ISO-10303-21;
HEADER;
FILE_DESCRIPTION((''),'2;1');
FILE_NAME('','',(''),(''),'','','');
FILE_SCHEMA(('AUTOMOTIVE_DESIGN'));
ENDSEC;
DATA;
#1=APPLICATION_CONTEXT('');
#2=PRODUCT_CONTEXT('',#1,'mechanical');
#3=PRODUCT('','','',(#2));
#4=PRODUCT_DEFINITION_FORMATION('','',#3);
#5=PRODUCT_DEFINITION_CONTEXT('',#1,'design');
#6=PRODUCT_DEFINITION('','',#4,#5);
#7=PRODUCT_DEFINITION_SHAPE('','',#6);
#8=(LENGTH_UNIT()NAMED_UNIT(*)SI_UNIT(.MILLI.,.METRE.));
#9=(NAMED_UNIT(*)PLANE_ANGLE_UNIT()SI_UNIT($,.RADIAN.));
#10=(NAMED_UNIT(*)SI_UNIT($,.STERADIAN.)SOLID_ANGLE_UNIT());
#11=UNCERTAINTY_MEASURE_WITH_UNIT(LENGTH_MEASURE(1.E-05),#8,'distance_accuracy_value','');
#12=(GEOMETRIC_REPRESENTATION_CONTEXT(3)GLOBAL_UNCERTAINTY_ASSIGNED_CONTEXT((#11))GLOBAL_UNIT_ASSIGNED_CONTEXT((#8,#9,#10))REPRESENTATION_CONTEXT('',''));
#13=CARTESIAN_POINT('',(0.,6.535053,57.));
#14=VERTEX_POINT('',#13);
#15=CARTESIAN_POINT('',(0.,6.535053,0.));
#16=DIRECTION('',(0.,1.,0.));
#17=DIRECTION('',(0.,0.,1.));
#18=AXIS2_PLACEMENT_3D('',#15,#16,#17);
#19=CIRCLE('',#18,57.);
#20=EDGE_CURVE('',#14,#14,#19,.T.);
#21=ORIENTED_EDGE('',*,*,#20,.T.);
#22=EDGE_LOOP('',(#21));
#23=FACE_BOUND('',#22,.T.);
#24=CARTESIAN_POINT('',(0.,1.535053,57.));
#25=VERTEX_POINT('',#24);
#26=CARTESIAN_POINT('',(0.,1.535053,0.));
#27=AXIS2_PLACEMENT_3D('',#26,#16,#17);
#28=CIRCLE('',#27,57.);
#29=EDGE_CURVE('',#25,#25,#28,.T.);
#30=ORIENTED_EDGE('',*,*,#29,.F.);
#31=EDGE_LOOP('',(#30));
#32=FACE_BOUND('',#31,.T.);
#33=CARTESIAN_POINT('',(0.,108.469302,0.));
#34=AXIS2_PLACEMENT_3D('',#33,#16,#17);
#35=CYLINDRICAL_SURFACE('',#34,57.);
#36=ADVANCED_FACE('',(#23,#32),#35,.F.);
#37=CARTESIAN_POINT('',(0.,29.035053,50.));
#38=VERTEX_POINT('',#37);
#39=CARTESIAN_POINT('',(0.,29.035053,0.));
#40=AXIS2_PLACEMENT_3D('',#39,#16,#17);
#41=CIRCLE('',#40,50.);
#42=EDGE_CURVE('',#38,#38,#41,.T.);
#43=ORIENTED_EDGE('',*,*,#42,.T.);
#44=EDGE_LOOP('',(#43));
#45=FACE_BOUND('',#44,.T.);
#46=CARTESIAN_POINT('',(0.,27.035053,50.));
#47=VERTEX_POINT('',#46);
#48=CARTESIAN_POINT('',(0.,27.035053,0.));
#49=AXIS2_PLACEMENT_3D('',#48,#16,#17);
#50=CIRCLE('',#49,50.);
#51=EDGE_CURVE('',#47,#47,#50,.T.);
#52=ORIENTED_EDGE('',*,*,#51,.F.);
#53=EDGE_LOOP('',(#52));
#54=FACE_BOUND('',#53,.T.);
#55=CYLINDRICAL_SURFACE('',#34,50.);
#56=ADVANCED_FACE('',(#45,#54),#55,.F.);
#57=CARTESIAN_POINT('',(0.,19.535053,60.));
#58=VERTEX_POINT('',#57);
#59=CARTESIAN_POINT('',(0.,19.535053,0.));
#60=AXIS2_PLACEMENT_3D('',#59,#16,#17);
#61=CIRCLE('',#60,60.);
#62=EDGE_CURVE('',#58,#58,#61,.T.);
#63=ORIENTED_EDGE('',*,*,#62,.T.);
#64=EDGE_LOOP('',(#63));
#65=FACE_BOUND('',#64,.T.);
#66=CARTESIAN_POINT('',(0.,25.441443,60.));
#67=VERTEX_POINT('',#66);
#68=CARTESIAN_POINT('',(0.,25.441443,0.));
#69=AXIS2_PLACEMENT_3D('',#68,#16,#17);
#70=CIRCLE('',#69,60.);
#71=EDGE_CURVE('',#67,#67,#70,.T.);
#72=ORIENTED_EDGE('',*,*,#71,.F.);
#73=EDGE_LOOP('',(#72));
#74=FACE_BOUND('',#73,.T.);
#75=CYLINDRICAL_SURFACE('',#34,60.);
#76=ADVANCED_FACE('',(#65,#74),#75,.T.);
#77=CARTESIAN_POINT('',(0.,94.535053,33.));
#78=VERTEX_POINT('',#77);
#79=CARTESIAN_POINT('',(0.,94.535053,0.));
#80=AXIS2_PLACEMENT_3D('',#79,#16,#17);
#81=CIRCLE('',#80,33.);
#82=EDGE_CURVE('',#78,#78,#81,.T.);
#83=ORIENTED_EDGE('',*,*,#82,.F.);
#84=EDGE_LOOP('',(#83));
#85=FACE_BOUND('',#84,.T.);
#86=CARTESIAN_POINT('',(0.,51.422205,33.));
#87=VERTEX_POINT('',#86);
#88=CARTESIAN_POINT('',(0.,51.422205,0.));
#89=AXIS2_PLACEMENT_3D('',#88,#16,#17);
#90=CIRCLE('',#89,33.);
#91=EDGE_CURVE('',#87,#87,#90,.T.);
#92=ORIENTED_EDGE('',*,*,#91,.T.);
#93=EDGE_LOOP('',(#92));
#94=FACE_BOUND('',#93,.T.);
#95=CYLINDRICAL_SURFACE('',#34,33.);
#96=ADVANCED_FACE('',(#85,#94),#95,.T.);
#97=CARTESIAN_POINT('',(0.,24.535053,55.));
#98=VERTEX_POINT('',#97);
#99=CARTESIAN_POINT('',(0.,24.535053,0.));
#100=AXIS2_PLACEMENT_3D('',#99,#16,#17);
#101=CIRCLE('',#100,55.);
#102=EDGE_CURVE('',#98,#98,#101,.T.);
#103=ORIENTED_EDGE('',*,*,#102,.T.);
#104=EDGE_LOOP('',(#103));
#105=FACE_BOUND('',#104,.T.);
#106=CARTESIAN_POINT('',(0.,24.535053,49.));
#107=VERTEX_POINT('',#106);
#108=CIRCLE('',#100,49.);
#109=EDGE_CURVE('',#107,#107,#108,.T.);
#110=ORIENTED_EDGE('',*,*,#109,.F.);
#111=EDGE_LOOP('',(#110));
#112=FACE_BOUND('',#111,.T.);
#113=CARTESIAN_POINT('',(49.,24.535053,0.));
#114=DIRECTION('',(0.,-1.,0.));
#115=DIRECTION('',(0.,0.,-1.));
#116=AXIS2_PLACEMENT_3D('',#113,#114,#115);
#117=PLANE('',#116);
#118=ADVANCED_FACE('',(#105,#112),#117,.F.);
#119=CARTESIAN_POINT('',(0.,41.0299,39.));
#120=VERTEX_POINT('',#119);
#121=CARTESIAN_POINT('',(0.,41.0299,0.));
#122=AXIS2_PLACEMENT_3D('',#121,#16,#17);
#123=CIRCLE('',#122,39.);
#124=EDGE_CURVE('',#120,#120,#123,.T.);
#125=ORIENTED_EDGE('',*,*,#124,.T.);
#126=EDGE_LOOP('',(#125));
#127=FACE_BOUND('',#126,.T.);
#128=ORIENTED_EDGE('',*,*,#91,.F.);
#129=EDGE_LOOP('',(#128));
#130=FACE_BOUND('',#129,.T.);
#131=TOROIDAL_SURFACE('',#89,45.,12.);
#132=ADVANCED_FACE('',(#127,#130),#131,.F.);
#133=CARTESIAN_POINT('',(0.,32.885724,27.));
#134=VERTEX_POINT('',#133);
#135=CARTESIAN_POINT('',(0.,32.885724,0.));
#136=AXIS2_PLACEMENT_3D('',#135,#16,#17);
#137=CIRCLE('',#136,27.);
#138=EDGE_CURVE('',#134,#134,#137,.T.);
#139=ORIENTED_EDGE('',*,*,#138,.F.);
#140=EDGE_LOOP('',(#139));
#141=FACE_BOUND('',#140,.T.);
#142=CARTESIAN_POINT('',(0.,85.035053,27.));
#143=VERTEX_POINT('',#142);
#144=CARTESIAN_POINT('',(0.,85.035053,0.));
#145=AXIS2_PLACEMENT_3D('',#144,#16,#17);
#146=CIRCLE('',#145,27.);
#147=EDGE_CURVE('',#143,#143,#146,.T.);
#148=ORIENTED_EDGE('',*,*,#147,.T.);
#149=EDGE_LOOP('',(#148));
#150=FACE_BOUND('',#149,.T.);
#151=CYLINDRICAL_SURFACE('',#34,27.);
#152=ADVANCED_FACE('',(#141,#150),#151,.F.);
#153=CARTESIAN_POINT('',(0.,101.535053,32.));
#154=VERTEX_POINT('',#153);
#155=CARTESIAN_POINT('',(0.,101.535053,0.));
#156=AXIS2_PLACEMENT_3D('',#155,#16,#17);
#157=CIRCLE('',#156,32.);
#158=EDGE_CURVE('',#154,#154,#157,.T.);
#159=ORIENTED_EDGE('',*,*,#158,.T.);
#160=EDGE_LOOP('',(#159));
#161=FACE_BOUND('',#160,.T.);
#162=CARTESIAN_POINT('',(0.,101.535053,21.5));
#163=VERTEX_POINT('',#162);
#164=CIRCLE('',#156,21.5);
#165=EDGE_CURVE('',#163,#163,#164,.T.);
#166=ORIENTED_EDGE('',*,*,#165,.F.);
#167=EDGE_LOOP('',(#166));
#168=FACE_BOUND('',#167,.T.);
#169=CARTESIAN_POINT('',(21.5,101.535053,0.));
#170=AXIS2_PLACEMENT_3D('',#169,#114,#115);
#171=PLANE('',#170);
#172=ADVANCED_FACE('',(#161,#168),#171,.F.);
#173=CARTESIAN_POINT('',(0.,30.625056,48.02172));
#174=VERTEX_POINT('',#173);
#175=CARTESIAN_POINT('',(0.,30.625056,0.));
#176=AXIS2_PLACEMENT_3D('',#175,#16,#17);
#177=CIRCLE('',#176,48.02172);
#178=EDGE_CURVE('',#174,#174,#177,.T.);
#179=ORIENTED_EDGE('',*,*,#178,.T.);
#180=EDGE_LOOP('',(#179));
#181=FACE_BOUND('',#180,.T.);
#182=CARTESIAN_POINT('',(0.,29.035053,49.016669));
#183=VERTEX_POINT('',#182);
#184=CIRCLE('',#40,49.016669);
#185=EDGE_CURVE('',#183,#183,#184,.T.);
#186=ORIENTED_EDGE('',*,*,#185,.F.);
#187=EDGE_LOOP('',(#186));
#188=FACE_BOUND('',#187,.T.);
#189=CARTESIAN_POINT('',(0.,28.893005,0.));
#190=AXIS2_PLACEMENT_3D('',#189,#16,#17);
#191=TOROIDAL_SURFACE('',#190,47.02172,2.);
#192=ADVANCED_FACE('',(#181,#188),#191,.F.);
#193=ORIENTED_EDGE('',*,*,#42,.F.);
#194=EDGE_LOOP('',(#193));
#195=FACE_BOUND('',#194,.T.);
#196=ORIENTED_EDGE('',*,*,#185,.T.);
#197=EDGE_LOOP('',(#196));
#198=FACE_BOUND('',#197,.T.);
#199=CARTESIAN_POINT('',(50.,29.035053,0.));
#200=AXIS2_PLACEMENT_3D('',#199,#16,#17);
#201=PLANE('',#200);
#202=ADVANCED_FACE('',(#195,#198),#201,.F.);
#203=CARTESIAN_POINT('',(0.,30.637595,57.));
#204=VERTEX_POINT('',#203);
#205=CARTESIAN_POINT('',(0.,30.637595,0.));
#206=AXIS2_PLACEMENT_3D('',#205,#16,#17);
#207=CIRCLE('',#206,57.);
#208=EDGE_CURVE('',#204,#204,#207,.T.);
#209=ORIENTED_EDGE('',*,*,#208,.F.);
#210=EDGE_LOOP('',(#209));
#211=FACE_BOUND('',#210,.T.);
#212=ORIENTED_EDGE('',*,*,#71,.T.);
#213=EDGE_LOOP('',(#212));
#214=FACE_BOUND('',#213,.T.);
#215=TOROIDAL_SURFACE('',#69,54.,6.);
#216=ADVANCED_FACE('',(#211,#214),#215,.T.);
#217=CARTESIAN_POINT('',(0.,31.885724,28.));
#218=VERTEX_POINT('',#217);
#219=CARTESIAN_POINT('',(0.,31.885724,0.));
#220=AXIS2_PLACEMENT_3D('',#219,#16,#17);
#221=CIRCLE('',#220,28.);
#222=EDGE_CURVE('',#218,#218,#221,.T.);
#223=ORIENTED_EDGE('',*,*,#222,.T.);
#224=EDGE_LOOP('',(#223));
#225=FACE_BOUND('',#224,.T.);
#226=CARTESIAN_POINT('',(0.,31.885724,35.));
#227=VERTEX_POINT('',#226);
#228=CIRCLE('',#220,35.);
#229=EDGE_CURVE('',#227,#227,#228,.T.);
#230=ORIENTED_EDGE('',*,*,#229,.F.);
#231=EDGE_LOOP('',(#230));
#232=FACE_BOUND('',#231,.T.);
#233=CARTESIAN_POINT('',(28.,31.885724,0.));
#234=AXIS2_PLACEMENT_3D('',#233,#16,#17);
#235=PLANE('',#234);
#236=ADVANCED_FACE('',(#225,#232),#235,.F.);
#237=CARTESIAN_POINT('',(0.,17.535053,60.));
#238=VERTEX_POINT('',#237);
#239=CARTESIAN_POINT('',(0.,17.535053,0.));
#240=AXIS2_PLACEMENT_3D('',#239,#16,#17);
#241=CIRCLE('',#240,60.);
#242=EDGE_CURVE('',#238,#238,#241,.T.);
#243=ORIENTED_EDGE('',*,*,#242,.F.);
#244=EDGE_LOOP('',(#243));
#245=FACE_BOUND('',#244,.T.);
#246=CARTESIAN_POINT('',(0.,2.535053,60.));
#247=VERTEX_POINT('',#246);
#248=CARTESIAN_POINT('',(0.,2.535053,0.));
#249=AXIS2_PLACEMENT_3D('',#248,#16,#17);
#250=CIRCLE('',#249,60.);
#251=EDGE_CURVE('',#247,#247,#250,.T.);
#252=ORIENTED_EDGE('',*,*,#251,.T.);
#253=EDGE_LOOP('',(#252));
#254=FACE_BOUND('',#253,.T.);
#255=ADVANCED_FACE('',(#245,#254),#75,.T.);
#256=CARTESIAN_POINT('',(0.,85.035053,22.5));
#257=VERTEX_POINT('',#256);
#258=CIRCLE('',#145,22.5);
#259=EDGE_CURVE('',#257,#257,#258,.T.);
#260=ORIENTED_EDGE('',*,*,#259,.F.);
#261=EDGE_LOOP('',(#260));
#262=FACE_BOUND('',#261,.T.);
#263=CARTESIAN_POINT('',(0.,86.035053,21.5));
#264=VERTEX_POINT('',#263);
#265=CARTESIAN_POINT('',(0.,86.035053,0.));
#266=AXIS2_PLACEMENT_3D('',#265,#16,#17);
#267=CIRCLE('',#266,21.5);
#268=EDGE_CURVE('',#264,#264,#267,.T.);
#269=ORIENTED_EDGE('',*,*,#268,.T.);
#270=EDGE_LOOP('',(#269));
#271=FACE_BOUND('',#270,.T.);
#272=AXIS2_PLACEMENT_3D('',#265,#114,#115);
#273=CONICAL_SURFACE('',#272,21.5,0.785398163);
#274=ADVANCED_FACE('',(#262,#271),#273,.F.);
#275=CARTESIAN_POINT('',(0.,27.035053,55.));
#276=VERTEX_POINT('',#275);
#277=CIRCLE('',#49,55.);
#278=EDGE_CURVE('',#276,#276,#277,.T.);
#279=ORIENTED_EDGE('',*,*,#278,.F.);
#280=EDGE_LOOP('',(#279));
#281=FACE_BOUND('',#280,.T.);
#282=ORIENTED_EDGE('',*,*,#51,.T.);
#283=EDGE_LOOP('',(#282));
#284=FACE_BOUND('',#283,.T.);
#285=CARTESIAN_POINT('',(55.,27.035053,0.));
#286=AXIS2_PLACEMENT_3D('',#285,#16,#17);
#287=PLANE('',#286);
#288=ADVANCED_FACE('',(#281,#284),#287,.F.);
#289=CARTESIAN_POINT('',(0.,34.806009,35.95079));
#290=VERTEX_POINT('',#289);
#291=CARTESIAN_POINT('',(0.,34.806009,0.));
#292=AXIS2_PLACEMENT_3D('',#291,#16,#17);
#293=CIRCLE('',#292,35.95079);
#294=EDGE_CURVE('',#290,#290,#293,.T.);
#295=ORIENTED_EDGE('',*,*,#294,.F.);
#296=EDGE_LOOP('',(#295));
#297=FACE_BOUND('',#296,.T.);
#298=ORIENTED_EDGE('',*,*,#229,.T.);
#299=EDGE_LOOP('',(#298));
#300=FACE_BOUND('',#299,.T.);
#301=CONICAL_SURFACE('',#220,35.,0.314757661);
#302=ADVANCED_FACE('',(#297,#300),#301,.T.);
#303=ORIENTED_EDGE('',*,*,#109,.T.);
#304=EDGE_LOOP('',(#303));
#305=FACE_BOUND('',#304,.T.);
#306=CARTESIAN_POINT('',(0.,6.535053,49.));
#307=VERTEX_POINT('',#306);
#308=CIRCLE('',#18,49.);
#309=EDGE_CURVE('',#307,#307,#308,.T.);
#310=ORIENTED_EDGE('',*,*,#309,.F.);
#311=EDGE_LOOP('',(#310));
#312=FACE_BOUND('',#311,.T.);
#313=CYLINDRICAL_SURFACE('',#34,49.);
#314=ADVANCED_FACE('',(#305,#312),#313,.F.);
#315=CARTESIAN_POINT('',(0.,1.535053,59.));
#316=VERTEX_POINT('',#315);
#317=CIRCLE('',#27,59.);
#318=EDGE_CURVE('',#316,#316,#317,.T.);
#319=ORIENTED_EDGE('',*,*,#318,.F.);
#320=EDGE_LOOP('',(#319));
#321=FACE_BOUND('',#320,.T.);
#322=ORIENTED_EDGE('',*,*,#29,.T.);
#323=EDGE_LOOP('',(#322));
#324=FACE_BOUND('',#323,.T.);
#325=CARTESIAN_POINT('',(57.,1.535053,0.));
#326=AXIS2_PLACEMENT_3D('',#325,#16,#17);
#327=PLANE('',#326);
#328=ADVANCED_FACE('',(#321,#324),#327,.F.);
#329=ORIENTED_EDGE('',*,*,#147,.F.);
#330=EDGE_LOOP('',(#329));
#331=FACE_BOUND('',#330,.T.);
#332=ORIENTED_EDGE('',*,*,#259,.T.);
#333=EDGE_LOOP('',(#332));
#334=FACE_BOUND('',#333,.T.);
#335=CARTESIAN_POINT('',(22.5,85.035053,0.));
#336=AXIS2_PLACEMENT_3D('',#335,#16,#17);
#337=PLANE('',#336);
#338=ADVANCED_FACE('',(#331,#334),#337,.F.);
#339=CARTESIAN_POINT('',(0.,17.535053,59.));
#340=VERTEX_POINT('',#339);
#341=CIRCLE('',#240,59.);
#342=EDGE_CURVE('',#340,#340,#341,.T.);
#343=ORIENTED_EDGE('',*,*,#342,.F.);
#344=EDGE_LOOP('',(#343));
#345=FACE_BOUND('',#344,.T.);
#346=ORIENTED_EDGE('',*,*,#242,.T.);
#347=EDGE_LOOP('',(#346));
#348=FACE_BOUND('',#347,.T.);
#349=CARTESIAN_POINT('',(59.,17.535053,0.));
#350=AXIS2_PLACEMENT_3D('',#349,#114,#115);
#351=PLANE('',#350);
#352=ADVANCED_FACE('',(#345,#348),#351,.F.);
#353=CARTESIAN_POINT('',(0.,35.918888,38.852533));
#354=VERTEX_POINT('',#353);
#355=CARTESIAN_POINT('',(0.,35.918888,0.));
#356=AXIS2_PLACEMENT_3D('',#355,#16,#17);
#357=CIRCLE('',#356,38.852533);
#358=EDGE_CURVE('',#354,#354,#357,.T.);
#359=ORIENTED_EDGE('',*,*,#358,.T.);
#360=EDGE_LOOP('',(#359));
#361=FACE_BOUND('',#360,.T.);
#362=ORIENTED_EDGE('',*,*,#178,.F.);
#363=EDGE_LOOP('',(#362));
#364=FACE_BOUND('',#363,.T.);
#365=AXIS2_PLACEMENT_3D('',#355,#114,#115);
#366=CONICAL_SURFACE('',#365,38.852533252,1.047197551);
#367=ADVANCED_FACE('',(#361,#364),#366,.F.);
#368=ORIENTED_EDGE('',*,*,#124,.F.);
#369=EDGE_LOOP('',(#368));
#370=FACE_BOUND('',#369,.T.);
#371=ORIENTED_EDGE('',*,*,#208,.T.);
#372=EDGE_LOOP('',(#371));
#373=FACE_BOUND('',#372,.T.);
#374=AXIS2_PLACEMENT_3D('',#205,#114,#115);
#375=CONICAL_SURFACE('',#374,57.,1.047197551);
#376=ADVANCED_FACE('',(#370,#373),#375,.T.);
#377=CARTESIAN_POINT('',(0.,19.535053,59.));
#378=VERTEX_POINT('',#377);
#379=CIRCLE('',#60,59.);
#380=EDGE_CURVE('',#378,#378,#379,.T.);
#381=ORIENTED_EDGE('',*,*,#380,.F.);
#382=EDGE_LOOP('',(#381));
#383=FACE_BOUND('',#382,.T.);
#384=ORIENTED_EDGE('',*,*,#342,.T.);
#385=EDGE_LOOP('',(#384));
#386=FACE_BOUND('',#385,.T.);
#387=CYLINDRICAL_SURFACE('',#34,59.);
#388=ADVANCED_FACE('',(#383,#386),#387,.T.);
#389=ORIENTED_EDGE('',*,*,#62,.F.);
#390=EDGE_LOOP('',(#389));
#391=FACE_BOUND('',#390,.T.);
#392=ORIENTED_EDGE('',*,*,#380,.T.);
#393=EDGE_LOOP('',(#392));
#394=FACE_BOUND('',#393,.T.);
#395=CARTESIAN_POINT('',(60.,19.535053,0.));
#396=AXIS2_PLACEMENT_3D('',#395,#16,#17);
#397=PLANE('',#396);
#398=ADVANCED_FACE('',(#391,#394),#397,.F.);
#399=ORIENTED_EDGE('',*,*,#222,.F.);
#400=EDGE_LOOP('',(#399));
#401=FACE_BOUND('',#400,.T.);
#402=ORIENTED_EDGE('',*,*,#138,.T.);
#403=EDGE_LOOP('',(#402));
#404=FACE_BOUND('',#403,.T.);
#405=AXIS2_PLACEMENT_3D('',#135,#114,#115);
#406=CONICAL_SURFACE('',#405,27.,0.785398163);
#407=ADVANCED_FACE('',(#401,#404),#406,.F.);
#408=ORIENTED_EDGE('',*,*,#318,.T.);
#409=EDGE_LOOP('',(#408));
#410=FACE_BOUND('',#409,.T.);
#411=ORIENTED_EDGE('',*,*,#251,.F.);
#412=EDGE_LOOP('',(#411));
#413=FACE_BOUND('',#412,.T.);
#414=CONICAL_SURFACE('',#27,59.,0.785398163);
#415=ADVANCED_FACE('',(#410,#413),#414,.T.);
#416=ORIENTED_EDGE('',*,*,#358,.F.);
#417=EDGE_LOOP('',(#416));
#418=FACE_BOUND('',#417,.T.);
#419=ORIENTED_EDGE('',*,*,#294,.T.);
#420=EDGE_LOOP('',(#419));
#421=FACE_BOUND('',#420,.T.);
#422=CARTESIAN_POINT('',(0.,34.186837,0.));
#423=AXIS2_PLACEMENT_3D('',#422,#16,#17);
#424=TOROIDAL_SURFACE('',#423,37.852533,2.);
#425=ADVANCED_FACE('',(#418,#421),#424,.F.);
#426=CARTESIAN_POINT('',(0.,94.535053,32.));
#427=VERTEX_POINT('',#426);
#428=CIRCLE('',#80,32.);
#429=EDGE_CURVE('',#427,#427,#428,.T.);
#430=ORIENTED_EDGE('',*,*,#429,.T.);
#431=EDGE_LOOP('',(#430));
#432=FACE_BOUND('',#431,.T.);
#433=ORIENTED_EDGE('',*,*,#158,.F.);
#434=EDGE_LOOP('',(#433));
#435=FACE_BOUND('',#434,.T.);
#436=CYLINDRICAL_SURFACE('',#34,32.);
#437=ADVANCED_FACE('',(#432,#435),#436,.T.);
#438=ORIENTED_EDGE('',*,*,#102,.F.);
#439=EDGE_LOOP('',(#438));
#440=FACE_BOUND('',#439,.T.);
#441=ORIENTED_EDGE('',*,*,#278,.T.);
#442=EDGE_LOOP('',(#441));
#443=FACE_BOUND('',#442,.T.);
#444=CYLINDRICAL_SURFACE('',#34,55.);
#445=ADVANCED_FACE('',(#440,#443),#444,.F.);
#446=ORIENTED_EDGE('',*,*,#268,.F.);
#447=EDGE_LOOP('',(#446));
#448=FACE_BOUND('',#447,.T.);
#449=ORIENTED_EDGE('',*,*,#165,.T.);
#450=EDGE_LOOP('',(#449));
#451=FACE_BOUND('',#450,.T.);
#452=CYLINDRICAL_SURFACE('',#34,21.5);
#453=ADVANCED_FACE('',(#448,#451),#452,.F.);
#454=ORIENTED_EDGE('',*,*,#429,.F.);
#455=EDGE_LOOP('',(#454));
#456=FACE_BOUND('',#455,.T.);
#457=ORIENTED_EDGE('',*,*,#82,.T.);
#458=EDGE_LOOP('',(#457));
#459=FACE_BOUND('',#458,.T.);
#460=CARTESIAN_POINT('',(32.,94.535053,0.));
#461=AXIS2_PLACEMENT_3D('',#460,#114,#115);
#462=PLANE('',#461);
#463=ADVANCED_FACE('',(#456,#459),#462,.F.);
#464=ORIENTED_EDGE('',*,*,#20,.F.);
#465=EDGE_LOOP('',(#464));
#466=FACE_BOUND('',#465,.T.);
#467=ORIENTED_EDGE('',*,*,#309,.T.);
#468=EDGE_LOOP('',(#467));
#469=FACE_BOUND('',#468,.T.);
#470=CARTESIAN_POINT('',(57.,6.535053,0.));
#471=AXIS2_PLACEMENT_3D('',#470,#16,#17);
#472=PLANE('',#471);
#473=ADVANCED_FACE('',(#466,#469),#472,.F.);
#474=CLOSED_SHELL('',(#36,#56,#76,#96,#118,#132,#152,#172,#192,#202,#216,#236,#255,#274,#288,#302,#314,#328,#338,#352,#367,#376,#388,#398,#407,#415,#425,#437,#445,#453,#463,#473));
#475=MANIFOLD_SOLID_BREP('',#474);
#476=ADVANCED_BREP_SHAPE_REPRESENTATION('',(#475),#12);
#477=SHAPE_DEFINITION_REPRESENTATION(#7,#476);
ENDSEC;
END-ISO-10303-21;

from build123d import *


with BuildPart() as part:
    # Esquisse1 → Révolution1 (revolve)
    with BuildSketch(Plane.XY, mode=Mode.PRIVATE) as r_volution1_sk:
        with BuildLine():
            Line((33, 94.535053287), (33, 51.422205102))
            ThreePointArc((33, 51.422205102), (34.607695155, 45.422205102), (39, 41.029900256))
            Line((39, 41.029900256), (57, 30.637595411))
            ThreePointArc((57, 30.637595411), (59.196152423, 28.441442988), (60, 25.441442988))
            Line((60, 25.441442988), (60, 19.535053287))
            Line((60, 19.535053287), (59, 19.535053287))
            Line((59, 19.535053287), (59, 17.535053287))
            Line((59, 17.535053287), (60, 17.535053287))
            Line((60, 17.535053287), (60, 2.535053287))
            Line((60, 2.535053287), (59, 1.535053287))
            Line((59, 1.535053287), (57, 1.535053287))
            Line((57, 1.535053287), (57, 6.535053287))
            Line((57, 6.535053287), (49, 6.535053287))
            Line((49, 6.535053287), (49, 24.535053287))
            Line((49, 24.535053287), (55, 24.535053287))
            Line((55, 24.535053287), (55, 27.035053287))
            Line((55, 27.035053287), (50, 27.035053287))
            Line((50, 27.035053287), (50, 29.035053287))
            Line((50, 29.035053287), (49.01666888, 29.035053287))
            ThreePointArc((49.01666888, 29.035053287), (48.71714205, 29.953920875), (48.021719707, 30.625055533))
            Line((48.021719707, 30.625055533), (38.852533252, 35.9188878))
            ThreePointArc((38.852533252, 35.9188878), (37.136356036, 36.054212208), (35.950790389, 34.806009088))
            Line((35.950790389, 34.806009088), (35, 31.885724321))
            Line((35, 31.885724321), (28, 31.885724321))
            Line((28, 31.885724321), (27, 32.885724321))
            Line((27, 32.885724321), (27, 85.035053287))
            Line((27, 85.035053287), (22.5, 85.035053287))
            Line((22.5, 85.035053287), (21.5, 86.035053287))
            Line((21.5, 86.035053287), (21.5, 101.535053287))
            Line((21.5, 101.535053287), (32, 101.535053287))
            Line((32, 101.535053287), (32, 94.535053287))
            Line((32, 94.535053287), (33, 94.535053287))
        make_face()
    revolve(r_volution1_sk.sketch.rotate(Axis((0, 108.46930196, 0), (0, -1, 0)), 90), axis=Axis((0, 108.46930196, 0), (0, -1, 0)))  # turned: the seam where the file's is


solid = part.part
